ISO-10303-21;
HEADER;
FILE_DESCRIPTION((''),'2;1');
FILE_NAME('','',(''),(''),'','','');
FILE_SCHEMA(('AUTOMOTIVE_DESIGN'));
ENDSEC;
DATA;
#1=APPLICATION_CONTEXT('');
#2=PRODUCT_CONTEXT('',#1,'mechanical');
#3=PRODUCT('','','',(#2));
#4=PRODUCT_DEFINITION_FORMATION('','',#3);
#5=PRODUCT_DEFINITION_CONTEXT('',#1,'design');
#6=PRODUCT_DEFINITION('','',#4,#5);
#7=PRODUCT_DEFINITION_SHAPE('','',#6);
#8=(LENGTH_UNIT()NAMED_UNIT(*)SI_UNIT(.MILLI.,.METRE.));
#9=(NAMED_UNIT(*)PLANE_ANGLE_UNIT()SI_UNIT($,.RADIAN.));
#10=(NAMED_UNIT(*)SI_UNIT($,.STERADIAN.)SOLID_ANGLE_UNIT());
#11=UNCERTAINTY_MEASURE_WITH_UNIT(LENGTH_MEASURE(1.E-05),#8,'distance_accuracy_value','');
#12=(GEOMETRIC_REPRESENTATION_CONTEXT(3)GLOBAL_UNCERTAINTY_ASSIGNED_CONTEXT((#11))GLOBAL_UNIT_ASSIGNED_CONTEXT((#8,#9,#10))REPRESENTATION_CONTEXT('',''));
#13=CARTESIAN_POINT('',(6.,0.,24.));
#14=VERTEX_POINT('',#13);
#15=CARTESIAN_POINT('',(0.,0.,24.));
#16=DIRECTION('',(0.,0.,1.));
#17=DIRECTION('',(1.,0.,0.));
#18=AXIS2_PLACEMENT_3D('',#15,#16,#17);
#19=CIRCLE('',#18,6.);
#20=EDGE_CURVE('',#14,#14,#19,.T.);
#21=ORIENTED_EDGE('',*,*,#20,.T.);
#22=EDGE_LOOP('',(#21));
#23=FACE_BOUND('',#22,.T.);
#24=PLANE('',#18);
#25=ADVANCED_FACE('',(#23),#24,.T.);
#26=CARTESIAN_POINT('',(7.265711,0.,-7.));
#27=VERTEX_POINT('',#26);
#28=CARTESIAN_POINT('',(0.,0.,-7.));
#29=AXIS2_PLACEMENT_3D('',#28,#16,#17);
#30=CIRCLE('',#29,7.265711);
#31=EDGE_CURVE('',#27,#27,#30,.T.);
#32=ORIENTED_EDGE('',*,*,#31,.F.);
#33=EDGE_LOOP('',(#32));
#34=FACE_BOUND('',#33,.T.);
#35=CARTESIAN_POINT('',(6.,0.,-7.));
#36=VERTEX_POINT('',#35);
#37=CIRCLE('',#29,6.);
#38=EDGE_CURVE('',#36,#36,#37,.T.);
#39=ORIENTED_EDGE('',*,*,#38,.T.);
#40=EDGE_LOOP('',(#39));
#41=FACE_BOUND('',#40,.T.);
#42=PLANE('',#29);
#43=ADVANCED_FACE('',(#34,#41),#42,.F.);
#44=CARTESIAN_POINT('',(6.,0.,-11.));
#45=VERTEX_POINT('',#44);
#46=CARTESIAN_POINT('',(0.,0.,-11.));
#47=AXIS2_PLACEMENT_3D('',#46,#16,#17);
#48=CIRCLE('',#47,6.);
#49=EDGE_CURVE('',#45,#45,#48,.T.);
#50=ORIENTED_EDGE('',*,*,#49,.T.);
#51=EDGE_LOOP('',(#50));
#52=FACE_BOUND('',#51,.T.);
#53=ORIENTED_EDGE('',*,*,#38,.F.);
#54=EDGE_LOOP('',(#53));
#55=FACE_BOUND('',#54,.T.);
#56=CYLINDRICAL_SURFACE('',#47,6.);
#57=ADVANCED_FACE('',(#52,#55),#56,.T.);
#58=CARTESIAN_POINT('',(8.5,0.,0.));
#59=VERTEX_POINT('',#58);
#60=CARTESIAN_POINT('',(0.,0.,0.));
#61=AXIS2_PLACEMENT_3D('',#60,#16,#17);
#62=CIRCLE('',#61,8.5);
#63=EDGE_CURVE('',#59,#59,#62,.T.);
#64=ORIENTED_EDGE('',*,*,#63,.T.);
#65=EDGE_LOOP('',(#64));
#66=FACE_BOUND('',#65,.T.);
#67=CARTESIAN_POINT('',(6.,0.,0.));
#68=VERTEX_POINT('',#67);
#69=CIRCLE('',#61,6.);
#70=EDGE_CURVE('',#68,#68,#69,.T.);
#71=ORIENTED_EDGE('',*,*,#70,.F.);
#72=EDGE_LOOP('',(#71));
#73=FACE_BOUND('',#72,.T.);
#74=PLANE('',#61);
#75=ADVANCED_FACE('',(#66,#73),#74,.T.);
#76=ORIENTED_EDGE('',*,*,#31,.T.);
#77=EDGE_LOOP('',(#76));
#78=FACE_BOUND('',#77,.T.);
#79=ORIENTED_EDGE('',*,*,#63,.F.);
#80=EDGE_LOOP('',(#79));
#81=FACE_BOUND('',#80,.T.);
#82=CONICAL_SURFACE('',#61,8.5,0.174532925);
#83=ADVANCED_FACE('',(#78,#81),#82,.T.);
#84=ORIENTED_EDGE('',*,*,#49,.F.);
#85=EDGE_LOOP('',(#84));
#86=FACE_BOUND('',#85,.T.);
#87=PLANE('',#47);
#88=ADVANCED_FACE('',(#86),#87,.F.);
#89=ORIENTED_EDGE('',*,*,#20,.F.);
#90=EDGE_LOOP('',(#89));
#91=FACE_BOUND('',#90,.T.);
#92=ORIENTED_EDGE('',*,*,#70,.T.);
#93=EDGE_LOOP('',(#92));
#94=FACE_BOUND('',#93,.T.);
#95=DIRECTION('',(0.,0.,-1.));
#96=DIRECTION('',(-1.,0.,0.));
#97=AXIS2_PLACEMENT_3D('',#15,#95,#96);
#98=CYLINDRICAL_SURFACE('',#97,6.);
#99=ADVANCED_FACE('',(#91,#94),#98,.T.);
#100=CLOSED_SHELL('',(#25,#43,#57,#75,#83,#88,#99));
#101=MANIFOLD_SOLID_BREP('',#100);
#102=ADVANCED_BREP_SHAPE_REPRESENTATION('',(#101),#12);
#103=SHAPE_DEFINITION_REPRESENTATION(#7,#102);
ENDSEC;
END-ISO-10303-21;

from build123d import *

# Parameters (mm, degrees)
SKETCH1_R           = 6
BOSS_EXTRUDE1_DEPTH = 24
SKETCH2_R           = 8.5
BOSS_EXTRUDE2_DEPTH = 7
BOSS_EXTRUDE2_TAPER = 10
BOSS_EXTRUDE3_START = -7
SKETCH3_R           = 6
BOSS_EXTRUDE3_DEPTH = 4


with BuildPart() as part:
    # Sketch1 → Boss-Extrude1 (new body)
    with BuildSketch(Plane.XY):
        Circle(SKETCH1_R)
    extrude(amount=BOSS_EXTRUDE1_DEPTH)

    # Sketch2 → Boss-Extrude2 (add)
    with BuildSketch(Plane.XY):
        Circle(SKETCH2_R)
    extrude(amount=-BOSS_EXTRUDE2_DEPTH, taper=BOSS_EXTRUDE2_TAPER)

    # Sketch3 → Boss-Extrude3 (add)
    with BuildSketch(Plane.XY.offset(BOSS_EXTRUDE3_START)):
        Circle(SKETCH3_R)
    extrude(amount=-BOSS_EXTRUDE3_DEPTH)


solid = part.part
